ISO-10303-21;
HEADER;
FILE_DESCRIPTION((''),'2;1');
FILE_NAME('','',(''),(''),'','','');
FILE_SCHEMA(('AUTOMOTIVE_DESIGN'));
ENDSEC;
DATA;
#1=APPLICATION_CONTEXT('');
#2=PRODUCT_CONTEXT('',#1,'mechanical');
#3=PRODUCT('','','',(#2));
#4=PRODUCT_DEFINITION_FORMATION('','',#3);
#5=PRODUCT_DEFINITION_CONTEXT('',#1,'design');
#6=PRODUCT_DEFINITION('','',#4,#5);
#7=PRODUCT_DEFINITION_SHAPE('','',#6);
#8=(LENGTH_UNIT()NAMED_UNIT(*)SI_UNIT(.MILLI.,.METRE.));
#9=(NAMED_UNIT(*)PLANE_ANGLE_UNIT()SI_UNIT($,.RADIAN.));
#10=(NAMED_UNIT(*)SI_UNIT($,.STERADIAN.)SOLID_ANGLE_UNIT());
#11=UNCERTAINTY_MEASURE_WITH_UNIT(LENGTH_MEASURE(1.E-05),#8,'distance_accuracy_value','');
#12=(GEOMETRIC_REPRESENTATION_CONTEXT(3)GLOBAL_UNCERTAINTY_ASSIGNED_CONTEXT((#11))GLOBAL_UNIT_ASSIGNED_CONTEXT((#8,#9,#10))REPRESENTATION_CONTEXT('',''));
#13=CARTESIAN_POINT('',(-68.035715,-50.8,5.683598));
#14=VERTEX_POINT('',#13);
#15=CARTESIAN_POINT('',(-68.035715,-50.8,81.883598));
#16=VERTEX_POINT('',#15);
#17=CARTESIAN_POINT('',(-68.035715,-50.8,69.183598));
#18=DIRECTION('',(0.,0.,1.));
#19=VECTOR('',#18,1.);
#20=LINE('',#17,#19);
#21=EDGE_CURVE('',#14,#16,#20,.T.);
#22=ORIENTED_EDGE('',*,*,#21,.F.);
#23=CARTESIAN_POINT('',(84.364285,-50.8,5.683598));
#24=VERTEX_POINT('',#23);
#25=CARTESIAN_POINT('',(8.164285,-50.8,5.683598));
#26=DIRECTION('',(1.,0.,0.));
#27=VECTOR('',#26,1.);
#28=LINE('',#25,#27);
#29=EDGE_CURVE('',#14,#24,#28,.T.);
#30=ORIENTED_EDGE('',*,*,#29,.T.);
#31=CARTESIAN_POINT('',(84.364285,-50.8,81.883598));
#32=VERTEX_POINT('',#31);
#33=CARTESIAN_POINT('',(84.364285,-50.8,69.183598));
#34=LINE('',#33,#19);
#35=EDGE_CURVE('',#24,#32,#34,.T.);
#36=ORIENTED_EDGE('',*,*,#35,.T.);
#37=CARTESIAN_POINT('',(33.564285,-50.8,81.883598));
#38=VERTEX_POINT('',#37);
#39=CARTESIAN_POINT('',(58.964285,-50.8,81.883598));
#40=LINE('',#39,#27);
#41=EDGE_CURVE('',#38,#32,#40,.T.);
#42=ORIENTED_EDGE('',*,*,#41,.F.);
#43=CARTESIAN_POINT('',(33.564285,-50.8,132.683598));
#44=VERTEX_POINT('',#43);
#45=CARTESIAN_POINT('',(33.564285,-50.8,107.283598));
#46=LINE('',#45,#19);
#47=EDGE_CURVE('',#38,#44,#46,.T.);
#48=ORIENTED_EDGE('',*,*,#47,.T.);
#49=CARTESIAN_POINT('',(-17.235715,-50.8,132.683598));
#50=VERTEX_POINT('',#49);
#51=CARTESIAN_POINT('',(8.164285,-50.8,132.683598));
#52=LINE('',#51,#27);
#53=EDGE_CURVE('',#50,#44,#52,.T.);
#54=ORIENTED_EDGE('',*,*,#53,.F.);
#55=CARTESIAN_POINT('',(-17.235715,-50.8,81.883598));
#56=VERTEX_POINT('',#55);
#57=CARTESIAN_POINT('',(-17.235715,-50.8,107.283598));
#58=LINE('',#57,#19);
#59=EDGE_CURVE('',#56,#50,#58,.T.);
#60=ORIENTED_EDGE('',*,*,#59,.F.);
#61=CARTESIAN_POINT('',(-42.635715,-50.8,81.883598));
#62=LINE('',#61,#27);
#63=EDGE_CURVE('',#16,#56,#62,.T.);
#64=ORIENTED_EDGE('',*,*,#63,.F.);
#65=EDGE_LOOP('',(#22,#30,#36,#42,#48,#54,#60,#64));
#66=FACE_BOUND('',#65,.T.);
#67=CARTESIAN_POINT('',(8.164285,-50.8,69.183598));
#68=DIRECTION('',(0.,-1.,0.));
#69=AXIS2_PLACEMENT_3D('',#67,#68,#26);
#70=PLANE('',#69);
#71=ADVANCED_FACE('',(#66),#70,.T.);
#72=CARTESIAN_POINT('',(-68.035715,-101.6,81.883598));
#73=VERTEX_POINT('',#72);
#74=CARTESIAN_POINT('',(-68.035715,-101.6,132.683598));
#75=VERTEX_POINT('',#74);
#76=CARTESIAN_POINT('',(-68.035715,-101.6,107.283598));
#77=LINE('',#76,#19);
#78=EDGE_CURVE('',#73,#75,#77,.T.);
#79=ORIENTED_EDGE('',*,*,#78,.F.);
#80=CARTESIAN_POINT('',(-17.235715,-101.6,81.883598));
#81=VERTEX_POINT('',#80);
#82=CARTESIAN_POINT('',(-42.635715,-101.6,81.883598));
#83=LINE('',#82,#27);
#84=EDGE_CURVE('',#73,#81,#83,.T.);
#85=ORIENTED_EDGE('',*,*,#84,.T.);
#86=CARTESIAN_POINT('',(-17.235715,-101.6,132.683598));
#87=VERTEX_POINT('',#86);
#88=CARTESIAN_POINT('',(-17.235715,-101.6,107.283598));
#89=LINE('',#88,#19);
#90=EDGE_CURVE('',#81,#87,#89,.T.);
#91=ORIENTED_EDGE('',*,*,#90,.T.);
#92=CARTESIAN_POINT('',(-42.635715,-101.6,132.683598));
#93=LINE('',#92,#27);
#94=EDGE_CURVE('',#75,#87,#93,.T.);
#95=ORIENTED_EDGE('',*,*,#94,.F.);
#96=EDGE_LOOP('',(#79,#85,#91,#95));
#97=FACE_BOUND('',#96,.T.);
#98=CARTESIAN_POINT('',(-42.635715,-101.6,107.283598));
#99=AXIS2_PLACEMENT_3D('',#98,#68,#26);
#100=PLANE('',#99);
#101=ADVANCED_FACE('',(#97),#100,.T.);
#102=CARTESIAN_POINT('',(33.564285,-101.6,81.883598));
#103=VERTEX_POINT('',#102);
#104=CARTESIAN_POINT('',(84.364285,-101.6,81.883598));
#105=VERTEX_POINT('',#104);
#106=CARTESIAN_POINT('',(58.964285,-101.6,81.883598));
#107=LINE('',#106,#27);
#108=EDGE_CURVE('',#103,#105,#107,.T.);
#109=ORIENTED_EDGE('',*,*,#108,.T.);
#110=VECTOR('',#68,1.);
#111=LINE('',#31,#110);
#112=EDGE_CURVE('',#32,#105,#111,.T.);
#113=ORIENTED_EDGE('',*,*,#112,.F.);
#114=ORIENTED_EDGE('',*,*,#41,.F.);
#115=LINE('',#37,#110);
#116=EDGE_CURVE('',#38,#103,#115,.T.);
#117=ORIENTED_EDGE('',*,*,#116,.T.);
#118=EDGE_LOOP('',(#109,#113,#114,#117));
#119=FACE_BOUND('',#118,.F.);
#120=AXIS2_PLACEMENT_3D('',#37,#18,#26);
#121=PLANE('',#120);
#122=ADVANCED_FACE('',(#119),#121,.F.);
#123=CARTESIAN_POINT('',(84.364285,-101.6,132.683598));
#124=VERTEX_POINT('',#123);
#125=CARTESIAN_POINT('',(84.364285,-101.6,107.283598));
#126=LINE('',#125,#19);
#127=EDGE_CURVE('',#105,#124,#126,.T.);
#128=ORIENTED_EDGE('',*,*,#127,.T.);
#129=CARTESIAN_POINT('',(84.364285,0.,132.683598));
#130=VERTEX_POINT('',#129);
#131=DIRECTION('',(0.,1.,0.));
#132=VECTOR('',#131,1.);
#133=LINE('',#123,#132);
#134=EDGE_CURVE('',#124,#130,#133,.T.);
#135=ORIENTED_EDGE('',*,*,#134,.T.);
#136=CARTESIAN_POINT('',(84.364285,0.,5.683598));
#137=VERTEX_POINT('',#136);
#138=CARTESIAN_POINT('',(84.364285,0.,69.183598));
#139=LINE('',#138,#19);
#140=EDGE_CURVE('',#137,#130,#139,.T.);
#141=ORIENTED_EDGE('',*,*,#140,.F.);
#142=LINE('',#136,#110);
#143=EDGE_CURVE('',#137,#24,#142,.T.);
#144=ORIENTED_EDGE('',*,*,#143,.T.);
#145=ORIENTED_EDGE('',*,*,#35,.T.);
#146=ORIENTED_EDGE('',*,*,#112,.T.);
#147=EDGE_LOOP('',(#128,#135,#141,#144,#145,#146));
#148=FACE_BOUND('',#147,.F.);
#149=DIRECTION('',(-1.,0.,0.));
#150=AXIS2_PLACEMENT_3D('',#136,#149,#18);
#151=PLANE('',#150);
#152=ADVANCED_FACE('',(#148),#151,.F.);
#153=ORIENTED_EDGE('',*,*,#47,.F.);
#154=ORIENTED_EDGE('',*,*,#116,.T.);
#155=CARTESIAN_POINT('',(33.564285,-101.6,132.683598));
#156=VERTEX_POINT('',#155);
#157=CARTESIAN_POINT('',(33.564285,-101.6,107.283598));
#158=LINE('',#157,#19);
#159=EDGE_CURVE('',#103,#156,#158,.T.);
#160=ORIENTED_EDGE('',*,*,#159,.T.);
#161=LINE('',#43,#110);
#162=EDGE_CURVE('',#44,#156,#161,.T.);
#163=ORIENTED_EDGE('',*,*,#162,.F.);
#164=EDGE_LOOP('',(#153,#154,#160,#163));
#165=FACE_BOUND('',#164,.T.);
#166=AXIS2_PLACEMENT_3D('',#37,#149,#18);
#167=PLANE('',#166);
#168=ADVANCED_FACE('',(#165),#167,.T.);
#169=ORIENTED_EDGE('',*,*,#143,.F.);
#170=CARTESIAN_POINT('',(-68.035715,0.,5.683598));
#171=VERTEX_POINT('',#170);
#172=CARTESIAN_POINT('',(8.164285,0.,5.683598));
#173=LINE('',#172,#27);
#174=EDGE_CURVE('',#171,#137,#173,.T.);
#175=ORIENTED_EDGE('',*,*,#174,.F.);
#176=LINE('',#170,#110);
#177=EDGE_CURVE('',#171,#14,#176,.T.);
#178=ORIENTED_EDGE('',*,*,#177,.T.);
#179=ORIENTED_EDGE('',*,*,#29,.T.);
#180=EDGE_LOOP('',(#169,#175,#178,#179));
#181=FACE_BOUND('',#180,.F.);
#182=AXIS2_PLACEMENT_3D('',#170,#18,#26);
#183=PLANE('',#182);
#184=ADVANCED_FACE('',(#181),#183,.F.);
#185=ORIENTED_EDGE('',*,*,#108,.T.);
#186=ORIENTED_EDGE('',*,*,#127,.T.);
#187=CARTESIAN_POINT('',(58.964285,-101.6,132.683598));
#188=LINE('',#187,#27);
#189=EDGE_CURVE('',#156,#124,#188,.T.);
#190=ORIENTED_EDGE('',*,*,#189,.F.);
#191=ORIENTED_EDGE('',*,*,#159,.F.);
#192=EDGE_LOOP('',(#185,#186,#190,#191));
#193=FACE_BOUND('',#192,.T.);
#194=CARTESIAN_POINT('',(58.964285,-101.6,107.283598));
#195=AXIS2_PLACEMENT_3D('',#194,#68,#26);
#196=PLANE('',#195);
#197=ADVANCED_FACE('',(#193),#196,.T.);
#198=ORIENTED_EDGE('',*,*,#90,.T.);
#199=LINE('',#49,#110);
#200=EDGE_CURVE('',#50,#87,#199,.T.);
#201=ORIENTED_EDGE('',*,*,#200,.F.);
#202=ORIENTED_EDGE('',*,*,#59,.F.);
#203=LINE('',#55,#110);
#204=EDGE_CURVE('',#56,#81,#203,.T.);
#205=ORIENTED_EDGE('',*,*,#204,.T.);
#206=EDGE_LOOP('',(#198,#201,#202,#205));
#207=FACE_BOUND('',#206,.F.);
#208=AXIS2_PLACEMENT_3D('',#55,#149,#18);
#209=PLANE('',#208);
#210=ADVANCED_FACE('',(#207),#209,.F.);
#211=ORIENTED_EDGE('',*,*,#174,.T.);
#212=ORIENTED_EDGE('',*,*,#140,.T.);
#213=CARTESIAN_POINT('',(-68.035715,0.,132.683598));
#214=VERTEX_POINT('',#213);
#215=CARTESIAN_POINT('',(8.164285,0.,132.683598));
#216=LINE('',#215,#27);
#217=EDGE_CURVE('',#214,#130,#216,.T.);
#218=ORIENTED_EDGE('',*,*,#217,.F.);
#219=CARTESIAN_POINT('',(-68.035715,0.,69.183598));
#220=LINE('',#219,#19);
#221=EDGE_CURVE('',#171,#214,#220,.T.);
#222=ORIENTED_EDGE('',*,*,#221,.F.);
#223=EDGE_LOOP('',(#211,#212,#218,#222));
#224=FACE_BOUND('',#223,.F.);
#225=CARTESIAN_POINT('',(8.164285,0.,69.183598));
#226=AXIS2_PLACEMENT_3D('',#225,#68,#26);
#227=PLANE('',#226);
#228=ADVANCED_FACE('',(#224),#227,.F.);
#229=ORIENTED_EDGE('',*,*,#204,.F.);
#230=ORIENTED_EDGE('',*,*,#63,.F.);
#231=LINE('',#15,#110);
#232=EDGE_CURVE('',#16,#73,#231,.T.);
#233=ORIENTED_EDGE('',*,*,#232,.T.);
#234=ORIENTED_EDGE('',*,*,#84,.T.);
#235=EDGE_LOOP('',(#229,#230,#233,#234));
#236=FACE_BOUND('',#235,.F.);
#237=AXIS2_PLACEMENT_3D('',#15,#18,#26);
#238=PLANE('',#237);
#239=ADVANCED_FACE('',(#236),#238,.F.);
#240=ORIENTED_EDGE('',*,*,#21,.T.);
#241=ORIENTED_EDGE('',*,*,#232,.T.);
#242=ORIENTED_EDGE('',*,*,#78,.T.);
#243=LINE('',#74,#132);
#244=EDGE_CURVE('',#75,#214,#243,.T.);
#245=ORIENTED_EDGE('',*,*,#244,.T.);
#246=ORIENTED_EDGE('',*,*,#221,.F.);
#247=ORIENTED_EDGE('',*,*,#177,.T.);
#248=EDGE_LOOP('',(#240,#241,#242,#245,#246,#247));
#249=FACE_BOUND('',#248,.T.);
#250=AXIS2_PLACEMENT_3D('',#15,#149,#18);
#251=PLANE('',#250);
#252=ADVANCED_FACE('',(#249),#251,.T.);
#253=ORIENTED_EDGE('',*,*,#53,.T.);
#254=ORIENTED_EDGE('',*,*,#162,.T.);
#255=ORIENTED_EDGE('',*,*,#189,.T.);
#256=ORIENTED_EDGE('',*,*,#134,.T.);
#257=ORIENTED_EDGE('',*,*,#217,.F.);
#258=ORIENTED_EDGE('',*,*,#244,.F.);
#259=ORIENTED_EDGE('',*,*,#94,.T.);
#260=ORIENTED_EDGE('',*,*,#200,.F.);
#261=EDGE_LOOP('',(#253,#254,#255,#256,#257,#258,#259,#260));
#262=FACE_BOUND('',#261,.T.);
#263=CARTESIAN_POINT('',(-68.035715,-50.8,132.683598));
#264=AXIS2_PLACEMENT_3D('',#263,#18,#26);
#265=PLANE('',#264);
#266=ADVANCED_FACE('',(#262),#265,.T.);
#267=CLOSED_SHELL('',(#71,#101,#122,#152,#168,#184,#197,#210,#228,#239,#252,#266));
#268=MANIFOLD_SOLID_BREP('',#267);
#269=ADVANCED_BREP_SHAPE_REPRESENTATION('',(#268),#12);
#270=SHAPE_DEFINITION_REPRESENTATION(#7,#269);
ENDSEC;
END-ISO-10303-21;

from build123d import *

# Parameters (mm, degrees)
F0_W     = 152.4
F0_H     = 127
F1_DEPTH = 50.8
F2_W     = 50.8
F2_H     = 50.8
F3_DEPTH = 50.8


with BuildPart() as f1:
    # F0 (on Front) → F1 (new body)
    with BuildSketch(Plane.XZ):
        with Locations((8.164285, 69.183598)):
            Rectangle(F0_W, F0_H)
    extrude(amount=F1_DEPTH)

    # F2 (on face) → F3 (join)
    with BuildSketch(Plane.XZ.offset(50.8)):
        with Locations((-42.635715, 107.283598)):
            Rectangle(F2_W, F2_H)
        with Locations((58.964285, 107.283598)):
            Rectangle(F2_W, F2_H)
    extrude(amount=F3_DEPTH)


solid = f1.part
